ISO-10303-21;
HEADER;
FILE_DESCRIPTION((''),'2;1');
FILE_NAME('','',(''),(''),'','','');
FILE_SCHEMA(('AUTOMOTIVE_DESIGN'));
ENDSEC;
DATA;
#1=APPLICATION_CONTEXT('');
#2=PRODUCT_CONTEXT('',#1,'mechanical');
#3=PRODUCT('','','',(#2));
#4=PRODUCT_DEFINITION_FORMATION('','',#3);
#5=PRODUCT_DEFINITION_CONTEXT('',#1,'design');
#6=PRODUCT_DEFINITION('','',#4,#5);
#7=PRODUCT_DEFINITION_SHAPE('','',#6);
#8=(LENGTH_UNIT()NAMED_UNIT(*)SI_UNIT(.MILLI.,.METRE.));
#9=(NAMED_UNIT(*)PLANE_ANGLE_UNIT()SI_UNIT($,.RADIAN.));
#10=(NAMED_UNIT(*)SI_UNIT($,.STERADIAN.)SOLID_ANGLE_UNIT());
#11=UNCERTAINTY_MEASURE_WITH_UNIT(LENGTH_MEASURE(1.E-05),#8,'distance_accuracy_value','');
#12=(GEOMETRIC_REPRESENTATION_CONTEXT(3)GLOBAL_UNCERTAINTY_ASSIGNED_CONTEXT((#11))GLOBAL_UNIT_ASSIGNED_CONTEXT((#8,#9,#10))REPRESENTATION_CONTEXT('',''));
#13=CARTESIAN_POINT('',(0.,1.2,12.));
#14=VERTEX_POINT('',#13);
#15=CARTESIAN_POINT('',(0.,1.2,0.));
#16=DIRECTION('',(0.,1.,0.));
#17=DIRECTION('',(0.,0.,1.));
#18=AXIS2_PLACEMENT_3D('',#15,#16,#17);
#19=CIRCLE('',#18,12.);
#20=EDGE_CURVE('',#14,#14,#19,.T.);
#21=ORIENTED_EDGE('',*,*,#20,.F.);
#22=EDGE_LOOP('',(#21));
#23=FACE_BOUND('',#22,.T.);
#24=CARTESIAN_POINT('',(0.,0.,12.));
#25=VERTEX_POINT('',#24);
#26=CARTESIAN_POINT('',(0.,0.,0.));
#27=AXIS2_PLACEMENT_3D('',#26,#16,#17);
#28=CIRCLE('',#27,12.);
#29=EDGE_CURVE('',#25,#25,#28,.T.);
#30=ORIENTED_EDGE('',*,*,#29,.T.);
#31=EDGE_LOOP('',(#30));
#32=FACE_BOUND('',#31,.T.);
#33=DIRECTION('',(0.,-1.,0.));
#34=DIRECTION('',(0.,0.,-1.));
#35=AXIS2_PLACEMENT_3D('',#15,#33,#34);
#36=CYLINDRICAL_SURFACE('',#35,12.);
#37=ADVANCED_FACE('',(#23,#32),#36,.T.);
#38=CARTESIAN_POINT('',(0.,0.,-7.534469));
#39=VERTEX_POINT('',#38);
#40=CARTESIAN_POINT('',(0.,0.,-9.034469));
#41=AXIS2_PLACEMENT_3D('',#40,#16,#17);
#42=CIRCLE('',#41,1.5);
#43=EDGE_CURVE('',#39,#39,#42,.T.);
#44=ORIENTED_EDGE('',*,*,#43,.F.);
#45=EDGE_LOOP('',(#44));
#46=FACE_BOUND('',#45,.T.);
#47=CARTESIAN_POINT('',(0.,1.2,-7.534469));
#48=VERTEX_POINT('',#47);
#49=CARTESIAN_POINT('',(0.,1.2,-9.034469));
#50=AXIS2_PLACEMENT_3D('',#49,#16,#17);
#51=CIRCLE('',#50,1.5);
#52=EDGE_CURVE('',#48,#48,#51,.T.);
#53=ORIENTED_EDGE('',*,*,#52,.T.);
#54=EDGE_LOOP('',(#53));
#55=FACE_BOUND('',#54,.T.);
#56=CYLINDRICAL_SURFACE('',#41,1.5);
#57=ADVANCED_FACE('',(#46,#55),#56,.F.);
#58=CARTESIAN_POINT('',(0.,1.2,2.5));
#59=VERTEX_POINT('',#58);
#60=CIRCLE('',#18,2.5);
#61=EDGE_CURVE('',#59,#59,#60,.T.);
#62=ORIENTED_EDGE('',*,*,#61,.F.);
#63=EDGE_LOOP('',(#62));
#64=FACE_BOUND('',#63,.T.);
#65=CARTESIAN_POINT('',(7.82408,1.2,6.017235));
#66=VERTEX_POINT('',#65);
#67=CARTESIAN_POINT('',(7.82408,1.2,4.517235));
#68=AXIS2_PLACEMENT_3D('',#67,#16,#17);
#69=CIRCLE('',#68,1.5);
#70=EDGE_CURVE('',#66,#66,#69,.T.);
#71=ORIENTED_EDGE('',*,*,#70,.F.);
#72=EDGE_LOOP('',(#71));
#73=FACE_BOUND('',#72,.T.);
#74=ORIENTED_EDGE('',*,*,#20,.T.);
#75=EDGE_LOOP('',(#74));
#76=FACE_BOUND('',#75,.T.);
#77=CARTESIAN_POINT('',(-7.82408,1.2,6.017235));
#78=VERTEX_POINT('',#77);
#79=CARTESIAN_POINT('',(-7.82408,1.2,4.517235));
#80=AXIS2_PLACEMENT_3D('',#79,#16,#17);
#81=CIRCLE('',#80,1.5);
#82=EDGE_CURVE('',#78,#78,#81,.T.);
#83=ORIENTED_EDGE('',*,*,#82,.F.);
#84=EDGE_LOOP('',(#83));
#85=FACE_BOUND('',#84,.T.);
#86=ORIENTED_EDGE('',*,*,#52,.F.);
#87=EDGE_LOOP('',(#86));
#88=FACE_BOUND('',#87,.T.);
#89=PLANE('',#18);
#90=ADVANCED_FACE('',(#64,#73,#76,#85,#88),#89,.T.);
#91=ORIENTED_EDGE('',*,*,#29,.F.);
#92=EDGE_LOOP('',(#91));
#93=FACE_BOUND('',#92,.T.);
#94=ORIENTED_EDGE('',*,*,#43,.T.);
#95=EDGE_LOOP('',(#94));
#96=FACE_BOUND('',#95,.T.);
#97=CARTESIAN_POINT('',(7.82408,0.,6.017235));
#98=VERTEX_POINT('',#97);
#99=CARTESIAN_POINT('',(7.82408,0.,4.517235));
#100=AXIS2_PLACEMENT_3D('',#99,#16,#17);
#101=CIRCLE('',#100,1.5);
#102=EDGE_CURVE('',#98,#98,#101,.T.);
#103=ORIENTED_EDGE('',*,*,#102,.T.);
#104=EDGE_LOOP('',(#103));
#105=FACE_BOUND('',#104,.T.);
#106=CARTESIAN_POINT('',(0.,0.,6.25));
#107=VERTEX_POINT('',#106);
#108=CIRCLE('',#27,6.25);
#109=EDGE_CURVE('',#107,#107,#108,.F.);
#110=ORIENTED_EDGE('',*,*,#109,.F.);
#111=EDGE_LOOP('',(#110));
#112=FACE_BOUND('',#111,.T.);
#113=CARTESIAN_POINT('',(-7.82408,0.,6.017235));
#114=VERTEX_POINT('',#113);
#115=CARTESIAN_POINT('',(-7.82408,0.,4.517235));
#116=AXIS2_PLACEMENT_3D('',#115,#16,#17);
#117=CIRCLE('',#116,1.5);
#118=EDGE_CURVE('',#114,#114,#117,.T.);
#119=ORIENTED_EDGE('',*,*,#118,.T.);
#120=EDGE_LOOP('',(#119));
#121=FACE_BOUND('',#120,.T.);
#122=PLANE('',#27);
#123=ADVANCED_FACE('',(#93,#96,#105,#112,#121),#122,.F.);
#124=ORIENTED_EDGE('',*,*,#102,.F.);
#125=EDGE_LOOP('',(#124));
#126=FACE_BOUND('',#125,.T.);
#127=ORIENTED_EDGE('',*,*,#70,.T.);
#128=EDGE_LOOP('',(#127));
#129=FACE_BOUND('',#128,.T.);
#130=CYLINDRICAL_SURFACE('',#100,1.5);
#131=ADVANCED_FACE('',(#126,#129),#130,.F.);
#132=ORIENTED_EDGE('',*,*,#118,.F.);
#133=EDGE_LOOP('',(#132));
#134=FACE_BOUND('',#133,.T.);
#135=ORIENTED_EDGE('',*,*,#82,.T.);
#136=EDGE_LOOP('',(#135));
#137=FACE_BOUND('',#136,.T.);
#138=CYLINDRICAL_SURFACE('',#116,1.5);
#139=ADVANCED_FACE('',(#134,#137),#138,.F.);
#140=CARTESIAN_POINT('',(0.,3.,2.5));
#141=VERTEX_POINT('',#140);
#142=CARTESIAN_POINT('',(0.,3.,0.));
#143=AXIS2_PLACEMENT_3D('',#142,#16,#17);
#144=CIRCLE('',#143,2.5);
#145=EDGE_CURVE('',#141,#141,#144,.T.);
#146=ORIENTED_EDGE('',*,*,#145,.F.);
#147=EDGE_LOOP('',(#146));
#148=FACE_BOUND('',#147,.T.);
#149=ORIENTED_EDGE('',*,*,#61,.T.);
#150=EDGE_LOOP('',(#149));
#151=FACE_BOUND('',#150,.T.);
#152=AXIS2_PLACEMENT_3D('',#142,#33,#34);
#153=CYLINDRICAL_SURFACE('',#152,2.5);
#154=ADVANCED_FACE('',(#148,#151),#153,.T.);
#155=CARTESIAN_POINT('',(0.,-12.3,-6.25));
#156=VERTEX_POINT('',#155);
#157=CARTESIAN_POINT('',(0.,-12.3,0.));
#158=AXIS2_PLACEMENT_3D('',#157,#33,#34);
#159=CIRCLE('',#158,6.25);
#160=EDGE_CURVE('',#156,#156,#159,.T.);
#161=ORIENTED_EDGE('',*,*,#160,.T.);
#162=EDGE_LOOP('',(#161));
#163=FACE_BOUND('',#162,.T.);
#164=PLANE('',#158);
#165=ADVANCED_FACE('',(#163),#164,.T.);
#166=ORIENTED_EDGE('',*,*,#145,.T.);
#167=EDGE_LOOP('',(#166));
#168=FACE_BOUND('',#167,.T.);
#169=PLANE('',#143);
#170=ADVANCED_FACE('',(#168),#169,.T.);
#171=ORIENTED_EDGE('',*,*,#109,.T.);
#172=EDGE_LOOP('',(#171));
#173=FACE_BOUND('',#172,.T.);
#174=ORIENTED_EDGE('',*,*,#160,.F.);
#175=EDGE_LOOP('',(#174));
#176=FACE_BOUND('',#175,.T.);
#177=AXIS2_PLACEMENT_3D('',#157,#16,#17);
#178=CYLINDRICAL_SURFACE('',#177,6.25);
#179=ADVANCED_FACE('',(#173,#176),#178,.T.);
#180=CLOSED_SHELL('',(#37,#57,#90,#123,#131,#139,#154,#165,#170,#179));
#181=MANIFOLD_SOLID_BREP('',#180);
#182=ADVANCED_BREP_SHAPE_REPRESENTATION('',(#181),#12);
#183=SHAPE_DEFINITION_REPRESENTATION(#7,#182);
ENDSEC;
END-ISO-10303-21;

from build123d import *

# Parameters (mm, degrees)
SKETCH1_R           = 12
SKETCH1_R_2         = 2.5
BOSS_EXTRUDE1_DEPTH = 1.2
SKETCH2_R           = 1.5
CUT_EXTRUDE1_DEPTH  = 1.2
SKETCH3_R           = 6.25
BOSS_EXTRUDE2_DEPTH = 12.3
SKETCH4_R           = 2.5
BOSS_EXTRUDE3_DEPTH = 3


with BuildPart() as part:
    # Sketch1 → Boss-Extrude1 (new body)
    with BuildSketch(Plane(origin=(0, 0, 0), x_dir=(1, 0, 0), z_dir=(0, 1, 0))):
        with Locations(Location((0, 0, 0), (0, 0, 270))):
            Circle(SKETCH1_R)
        with Locations(Location((0, 0, 0), (0, 0, 270))):
            Circle(SKETCH1_R_2, mode=Mode.SUBTRACT)
    extrude(amount=BOSS_EXTRUDE1_DEPTH)

    # Sketch2 → Cut-Extrude1 (cut)
    with BuildSketch(Plane(origin=(0, 1.2, 0), x_dir=(1, 0, 0), z_dir=(0, 1, 0))):
        with Locations(Location((0, 9.034469011, 0), (0, 0, 270))):
            Circle(SKETCH2_R)
        with Locations(Location((7.824079673, -4.517234506, 0), (0, 0, 270))):
            Circle(SKETCH2_R)
        with Locations(Location((-7.824079673, -4.517234506, 0), (0, 0, 270))):
            Circle(SKETCH2_R)
    extrude(amount=-CUT_EXTRUDE1_DEPTH, mode=Mode.SUBTRACT)

    # Sketch3 → Boss-Extrude2 (add)
    with BuildSketch(Plane(origin=(0, 0, 0), x_dir=(-1, 0, 0), z_dir=(0, -1, 0))):
        with Locations(Location((0, 0, 0), (0, 0, 270))):
            Circle(SKETCH3_R)
    extrude(amount=BOSS_EXTRUDE2_DEPTH)

    # Sketch4 → Boss-Extrude3 (add)
    with BuildSketch(Plane(origin=(0, 0, 0), x_dir=(1, 0, 0), z_dir=(0, 1, 0))):
        with Locations(Location((0, 0, 0), (0, 0, 270))):
            Circle(SKETCH4_R)
    extrude(amount=BOSS_EXTRUDE3_DEPTH)


solid = part.part
